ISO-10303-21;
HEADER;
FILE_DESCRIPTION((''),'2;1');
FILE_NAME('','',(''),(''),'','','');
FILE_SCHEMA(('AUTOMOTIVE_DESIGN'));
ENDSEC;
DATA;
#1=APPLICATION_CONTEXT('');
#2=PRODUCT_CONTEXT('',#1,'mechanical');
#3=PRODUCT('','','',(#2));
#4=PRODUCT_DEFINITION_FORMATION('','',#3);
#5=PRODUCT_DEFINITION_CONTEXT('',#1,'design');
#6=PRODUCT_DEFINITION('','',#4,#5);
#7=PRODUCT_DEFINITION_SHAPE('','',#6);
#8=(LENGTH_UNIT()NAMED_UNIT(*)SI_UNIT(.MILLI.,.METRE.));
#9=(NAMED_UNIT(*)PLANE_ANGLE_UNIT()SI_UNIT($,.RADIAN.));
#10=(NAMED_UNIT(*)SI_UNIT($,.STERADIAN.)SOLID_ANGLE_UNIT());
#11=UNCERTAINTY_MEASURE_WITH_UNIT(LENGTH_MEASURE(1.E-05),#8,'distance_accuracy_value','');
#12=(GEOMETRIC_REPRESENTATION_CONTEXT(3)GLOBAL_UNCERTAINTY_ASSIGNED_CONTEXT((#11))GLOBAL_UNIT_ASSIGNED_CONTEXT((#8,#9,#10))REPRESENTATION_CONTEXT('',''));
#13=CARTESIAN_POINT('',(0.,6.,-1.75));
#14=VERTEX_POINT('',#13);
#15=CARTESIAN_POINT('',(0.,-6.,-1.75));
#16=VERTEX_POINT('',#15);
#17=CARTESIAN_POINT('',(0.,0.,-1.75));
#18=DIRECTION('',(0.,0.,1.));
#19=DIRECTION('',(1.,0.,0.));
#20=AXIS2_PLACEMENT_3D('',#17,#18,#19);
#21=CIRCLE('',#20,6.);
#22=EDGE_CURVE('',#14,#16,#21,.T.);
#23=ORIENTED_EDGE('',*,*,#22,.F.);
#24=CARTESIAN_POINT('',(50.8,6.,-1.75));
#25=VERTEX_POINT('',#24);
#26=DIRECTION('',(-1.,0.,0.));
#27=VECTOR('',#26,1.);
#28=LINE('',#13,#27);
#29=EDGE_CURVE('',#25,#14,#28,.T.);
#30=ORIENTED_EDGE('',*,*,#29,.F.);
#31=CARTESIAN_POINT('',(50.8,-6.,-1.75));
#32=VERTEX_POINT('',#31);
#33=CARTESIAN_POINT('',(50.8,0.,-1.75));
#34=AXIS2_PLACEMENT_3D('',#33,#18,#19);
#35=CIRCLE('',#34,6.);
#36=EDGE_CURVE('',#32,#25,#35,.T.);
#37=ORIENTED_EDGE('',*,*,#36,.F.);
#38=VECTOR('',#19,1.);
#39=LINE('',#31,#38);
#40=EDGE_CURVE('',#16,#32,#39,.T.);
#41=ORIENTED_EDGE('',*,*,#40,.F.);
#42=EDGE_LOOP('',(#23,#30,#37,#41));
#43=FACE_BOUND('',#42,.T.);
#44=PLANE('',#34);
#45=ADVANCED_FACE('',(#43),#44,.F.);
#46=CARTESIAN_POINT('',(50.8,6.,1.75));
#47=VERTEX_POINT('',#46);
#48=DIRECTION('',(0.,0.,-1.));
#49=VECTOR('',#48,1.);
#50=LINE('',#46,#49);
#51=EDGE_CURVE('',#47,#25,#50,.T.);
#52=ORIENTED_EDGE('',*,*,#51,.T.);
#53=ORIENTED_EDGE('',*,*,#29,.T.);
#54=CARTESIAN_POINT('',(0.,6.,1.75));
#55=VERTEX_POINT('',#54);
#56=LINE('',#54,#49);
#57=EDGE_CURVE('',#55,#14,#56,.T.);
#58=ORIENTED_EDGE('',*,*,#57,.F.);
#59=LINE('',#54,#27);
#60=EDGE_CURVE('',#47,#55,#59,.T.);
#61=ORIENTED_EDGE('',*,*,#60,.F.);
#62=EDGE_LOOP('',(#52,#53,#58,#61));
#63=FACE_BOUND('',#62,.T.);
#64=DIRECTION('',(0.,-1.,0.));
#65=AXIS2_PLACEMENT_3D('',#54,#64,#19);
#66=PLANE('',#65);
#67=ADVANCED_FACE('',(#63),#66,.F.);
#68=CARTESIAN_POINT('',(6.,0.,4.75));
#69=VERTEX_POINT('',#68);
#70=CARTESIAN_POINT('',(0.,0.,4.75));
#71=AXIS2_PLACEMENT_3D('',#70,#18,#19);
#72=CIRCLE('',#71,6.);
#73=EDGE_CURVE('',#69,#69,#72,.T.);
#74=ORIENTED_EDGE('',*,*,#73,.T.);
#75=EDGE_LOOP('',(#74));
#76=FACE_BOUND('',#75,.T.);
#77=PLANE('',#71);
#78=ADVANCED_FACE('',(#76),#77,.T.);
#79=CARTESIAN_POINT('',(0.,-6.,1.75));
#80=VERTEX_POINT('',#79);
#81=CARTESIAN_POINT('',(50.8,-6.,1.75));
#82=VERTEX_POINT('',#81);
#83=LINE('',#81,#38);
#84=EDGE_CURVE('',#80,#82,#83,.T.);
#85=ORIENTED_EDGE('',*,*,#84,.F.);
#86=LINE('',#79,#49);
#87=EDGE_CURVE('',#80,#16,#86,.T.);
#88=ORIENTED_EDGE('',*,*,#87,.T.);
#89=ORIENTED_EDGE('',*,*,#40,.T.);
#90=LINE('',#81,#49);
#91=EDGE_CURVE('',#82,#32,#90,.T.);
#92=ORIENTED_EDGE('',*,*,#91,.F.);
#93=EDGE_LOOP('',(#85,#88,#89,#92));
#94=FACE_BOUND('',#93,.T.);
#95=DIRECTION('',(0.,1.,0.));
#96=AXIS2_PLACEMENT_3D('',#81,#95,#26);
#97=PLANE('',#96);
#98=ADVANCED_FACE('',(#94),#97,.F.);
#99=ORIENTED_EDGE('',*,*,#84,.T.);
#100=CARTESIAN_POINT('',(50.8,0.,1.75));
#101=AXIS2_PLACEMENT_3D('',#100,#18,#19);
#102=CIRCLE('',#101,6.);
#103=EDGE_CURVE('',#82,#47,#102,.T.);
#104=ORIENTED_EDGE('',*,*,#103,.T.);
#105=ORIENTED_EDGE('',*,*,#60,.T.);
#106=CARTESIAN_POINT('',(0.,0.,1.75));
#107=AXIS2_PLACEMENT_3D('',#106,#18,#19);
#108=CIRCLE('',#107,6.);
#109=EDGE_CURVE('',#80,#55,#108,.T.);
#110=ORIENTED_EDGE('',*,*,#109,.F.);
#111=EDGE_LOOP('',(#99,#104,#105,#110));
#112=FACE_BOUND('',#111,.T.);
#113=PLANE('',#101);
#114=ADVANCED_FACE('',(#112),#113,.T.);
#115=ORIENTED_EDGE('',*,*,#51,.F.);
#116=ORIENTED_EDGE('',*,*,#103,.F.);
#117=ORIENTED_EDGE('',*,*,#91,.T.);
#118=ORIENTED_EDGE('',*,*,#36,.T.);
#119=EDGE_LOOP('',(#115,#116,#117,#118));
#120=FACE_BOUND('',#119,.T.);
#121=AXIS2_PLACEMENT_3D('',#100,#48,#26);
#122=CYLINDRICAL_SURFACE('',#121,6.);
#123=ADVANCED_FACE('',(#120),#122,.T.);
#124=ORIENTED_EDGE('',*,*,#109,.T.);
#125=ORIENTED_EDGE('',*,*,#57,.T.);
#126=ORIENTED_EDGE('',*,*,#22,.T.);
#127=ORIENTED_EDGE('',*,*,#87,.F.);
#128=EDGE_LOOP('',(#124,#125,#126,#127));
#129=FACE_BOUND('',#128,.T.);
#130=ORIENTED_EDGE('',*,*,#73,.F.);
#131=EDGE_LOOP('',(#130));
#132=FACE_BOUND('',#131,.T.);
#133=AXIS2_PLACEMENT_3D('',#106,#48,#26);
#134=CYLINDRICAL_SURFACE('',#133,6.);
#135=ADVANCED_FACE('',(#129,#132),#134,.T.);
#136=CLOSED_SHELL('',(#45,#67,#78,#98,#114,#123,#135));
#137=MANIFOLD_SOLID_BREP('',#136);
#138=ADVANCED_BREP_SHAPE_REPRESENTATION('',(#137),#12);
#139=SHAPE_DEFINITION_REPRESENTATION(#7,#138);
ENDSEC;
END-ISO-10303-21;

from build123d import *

# Parameters (mm, degrees)
EXTRUDE_1_DEPTH = 1.75
EXTRUDE_START   = 3
SKETCH_2_R      = 6
EXTRUDE_2_DEPTH = 3


with BuildPart() as part:
    # 草图1 → 凸台-拉伸1 (new, symmetric)
    with BuildSketch(Plane.XY):
        with BuildLine():
            Line((0, 6), (50.8, 6))
            ThreePointArc((50.8, 6), (56.8, 0), (50.8, -6))
            Line((50.8, -6), (0, -6))
            ThreePointArc((0, -6), (-6, 0), (0, 6))
        make_face()
    extrude(amount=EXTRUDE_1_DEPTH, both=True)

    # 草图2 → 凸台-拉伸2 (add)
    with BuildSketch(Plane.XY.offset(1.75).offset(EXTRUDE_START)):
        with Locations(Location((0, 0, 0), (0, 0, 270))):
            Circle(SKETCH_2_R)
    extrude(amount=-EXTRUDE_2_DEPTH)


solid = part.part
